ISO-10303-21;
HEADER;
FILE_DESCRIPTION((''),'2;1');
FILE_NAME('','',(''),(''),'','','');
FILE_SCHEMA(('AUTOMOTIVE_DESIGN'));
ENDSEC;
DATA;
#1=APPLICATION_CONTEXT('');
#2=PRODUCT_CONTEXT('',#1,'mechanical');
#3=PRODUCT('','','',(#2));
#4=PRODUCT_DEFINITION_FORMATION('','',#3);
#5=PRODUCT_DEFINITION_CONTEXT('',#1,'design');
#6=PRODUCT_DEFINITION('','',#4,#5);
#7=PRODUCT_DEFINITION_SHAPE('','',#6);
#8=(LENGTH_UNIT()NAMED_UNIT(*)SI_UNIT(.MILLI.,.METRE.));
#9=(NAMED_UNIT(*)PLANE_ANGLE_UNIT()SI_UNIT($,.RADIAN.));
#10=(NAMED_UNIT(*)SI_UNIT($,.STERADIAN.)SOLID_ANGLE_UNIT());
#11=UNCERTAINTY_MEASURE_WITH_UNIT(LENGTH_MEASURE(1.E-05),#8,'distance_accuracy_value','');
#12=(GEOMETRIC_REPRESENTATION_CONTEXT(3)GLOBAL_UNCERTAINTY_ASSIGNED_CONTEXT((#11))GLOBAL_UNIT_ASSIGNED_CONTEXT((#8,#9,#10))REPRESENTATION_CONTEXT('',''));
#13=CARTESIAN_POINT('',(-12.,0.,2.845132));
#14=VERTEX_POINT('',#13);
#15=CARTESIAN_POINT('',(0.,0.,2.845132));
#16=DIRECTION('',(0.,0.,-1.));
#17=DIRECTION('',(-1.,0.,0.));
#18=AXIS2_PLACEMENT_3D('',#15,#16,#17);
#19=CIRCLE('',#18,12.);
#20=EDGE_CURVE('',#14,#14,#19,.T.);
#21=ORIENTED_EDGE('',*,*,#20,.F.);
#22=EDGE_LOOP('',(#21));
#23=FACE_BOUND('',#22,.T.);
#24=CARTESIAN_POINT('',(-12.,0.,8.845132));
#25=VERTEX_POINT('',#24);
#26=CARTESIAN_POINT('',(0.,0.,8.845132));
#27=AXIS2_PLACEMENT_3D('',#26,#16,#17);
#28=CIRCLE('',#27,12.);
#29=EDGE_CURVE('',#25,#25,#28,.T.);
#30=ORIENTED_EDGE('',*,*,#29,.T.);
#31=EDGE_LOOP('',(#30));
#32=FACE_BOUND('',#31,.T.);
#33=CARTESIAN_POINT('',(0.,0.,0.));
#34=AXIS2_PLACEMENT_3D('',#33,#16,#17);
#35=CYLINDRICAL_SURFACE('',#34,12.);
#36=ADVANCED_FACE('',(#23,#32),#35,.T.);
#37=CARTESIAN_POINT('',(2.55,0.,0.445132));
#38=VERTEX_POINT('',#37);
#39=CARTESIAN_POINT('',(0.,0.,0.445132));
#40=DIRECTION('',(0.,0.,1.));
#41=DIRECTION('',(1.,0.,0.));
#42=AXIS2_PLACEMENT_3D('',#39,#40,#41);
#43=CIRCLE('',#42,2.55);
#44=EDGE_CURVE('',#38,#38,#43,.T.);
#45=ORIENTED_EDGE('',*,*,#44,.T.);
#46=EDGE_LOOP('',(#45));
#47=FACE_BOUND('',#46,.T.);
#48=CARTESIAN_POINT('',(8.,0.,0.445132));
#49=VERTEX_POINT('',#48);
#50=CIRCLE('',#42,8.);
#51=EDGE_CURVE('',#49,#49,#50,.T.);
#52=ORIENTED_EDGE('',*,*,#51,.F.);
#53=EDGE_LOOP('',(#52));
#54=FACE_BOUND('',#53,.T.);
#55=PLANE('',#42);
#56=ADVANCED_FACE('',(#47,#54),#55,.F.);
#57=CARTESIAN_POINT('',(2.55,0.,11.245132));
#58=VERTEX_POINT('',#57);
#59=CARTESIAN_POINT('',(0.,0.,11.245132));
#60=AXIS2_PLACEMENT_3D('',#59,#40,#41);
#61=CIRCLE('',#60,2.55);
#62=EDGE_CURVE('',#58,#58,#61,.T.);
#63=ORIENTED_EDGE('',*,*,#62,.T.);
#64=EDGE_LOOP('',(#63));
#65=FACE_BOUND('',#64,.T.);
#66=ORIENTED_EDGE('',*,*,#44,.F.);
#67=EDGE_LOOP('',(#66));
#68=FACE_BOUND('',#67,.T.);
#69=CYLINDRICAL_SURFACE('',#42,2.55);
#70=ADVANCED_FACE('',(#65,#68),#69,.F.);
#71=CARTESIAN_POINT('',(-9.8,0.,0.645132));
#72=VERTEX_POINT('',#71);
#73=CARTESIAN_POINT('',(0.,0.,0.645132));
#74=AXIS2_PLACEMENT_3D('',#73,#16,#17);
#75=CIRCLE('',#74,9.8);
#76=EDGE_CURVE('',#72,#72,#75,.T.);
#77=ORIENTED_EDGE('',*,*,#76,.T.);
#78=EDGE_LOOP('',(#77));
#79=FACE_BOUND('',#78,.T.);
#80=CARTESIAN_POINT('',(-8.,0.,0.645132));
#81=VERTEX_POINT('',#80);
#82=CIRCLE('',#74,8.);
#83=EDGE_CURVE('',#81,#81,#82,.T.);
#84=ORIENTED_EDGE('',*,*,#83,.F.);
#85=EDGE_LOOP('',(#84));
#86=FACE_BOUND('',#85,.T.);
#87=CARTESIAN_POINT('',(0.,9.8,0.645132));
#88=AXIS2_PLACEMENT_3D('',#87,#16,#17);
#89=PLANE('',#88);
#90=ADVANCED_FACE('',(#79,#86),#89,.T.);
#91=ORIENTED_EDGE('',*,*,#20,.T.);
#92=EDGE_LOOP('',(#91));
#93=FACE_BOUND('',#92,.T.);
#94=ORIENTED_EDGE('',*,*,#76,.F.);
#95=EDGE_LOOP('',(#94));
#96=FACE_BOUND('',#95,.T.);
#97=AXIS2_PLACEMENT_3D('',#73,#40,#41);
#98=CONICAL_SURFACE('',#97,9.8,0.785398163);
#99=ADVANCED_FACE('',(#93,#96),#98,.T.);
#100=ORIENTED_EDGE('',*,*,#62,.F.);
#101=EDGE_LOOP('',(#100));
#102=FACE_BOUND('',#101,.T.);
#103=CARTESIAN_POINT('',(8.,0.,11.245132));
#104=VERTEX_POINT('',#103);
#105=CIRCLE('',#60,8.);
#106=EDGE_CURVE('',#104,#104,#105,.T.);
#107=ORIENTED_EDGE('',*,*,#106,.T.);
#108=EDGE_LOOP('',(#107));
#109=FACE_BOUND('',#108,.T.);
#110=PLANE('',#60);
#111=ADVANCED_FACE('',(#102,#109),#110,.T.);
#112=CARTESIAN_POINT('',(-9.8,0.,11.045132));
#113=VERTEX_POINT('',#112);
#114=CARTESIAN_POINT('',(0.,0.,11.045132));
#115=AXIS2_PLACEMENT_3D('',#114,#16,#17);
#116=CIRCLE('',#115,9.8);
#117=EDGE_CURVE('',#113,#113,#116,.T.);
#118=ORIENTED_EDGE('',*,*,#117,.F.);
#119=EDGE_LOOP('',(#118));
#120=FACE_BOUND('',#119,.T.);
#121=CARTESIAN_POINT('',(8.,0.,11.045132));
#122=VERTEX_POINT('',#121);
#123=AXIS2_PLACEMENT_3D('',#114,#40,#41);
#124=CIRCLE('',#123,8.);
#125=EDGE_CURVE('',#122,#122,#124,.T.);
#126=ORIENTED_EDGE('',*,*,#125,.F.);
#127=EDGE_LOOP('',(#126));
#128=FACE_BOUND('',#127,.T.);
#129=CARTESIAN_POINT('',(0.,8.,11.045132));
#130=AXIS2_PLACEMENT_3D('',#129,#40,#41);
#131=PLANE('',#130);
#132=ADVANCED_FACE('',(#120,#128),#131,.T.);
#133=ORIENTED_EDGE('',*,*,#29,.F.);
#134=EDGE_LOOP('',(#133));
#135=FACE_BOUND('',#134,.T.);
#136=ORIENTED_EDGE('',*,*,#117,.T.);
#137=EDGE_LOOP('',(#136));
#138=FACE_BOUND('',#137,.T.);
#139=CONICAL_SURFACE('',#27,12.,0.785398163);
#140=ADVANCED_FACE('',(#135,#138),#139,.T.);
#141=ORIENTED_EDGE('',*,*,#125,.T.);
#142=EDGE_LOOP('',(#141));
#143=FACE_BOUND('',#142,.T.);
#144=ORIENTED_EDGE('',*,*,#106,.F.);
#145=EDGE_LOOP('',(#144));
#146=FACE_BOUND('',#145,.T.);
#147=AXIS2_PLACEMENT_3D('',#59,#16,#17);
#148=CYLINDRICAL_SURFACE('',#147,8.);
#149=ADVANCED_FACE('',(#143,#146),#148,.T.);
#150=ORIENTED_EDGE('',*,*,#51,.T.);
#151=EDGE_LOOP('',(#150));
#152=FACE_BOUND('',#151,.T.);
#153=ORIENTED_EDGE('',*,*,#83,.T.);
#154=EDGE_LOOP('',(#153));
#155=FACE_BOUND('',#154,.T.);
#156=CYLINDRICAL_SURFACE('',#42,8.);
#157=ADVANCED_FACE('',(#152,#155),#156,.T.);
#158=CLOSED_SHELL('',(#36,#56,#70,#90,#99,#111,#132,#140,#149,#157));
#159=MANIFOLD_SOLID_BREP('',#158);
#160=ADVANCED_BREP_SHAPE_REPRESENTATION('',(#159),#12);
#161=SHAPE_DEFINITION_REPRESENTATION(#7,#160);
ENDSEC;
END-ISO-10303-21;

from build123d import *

# Parameters (mm, degrees)
SKETCH2_R           = 8
SKETCH2_R_2         = 2.55
BOSS_EXTRUDE1_DEPTH = 10.6
BOSS_EXTRUDE2_START = 0.2
SKETCH3_R           = 8
SKETCH3_R_2         = 2.55
BOSS_EXTRUDE2_DEPTH = 0.2


with BuildPart() as part:
    # Sketch1 → Revolve1 (revolve)
    with BuildSketch(Plane(origin=(0, 0, 0), x_dir=(0, 0, -1), z_dir=(1, 0, 0)), mode=Mode.PRIVATE) as revolve1_sk:
        Polygon((-0.645132269, 8), (-11.045132269, 8), (-11.045132269, 9.8), (-8.845132269, 12), (-2.845132269, 12), (-0.645132269, 9.8), align=None)
    revolve(revolve1_sk.sketch.rotate(Axis((0, 0, 0), (0, 0, 1)), 90), axis=Axis((0, 0, 0), (0, 0, 1)))

    # Sketch2 → Boss-Extrude1 (add)
    with BuildSketch(Plane.XY.offset(11.045132269)):
        Circle(SKETCH2_R)
        Circle(SKETCH2_R_2, mode=Mode.SUBTRACT)
    extrude(amount=-BOSS_EXTRUDE1_DEPTH)

    # Sketch3 → Boss-Extrude2 (add)
    with BuildSketch(Plane.XY.offset(11.045132269).offset(BOSS_EXTRUDE2_START)):
        Circle(SKETCH3_R)
        Circle(SKETCH3_R_2, mode=Mode.SUBTRACT)
    extrude(amount=-BOSS_EXTRUDE2_DEPTH)


solid = part.part
